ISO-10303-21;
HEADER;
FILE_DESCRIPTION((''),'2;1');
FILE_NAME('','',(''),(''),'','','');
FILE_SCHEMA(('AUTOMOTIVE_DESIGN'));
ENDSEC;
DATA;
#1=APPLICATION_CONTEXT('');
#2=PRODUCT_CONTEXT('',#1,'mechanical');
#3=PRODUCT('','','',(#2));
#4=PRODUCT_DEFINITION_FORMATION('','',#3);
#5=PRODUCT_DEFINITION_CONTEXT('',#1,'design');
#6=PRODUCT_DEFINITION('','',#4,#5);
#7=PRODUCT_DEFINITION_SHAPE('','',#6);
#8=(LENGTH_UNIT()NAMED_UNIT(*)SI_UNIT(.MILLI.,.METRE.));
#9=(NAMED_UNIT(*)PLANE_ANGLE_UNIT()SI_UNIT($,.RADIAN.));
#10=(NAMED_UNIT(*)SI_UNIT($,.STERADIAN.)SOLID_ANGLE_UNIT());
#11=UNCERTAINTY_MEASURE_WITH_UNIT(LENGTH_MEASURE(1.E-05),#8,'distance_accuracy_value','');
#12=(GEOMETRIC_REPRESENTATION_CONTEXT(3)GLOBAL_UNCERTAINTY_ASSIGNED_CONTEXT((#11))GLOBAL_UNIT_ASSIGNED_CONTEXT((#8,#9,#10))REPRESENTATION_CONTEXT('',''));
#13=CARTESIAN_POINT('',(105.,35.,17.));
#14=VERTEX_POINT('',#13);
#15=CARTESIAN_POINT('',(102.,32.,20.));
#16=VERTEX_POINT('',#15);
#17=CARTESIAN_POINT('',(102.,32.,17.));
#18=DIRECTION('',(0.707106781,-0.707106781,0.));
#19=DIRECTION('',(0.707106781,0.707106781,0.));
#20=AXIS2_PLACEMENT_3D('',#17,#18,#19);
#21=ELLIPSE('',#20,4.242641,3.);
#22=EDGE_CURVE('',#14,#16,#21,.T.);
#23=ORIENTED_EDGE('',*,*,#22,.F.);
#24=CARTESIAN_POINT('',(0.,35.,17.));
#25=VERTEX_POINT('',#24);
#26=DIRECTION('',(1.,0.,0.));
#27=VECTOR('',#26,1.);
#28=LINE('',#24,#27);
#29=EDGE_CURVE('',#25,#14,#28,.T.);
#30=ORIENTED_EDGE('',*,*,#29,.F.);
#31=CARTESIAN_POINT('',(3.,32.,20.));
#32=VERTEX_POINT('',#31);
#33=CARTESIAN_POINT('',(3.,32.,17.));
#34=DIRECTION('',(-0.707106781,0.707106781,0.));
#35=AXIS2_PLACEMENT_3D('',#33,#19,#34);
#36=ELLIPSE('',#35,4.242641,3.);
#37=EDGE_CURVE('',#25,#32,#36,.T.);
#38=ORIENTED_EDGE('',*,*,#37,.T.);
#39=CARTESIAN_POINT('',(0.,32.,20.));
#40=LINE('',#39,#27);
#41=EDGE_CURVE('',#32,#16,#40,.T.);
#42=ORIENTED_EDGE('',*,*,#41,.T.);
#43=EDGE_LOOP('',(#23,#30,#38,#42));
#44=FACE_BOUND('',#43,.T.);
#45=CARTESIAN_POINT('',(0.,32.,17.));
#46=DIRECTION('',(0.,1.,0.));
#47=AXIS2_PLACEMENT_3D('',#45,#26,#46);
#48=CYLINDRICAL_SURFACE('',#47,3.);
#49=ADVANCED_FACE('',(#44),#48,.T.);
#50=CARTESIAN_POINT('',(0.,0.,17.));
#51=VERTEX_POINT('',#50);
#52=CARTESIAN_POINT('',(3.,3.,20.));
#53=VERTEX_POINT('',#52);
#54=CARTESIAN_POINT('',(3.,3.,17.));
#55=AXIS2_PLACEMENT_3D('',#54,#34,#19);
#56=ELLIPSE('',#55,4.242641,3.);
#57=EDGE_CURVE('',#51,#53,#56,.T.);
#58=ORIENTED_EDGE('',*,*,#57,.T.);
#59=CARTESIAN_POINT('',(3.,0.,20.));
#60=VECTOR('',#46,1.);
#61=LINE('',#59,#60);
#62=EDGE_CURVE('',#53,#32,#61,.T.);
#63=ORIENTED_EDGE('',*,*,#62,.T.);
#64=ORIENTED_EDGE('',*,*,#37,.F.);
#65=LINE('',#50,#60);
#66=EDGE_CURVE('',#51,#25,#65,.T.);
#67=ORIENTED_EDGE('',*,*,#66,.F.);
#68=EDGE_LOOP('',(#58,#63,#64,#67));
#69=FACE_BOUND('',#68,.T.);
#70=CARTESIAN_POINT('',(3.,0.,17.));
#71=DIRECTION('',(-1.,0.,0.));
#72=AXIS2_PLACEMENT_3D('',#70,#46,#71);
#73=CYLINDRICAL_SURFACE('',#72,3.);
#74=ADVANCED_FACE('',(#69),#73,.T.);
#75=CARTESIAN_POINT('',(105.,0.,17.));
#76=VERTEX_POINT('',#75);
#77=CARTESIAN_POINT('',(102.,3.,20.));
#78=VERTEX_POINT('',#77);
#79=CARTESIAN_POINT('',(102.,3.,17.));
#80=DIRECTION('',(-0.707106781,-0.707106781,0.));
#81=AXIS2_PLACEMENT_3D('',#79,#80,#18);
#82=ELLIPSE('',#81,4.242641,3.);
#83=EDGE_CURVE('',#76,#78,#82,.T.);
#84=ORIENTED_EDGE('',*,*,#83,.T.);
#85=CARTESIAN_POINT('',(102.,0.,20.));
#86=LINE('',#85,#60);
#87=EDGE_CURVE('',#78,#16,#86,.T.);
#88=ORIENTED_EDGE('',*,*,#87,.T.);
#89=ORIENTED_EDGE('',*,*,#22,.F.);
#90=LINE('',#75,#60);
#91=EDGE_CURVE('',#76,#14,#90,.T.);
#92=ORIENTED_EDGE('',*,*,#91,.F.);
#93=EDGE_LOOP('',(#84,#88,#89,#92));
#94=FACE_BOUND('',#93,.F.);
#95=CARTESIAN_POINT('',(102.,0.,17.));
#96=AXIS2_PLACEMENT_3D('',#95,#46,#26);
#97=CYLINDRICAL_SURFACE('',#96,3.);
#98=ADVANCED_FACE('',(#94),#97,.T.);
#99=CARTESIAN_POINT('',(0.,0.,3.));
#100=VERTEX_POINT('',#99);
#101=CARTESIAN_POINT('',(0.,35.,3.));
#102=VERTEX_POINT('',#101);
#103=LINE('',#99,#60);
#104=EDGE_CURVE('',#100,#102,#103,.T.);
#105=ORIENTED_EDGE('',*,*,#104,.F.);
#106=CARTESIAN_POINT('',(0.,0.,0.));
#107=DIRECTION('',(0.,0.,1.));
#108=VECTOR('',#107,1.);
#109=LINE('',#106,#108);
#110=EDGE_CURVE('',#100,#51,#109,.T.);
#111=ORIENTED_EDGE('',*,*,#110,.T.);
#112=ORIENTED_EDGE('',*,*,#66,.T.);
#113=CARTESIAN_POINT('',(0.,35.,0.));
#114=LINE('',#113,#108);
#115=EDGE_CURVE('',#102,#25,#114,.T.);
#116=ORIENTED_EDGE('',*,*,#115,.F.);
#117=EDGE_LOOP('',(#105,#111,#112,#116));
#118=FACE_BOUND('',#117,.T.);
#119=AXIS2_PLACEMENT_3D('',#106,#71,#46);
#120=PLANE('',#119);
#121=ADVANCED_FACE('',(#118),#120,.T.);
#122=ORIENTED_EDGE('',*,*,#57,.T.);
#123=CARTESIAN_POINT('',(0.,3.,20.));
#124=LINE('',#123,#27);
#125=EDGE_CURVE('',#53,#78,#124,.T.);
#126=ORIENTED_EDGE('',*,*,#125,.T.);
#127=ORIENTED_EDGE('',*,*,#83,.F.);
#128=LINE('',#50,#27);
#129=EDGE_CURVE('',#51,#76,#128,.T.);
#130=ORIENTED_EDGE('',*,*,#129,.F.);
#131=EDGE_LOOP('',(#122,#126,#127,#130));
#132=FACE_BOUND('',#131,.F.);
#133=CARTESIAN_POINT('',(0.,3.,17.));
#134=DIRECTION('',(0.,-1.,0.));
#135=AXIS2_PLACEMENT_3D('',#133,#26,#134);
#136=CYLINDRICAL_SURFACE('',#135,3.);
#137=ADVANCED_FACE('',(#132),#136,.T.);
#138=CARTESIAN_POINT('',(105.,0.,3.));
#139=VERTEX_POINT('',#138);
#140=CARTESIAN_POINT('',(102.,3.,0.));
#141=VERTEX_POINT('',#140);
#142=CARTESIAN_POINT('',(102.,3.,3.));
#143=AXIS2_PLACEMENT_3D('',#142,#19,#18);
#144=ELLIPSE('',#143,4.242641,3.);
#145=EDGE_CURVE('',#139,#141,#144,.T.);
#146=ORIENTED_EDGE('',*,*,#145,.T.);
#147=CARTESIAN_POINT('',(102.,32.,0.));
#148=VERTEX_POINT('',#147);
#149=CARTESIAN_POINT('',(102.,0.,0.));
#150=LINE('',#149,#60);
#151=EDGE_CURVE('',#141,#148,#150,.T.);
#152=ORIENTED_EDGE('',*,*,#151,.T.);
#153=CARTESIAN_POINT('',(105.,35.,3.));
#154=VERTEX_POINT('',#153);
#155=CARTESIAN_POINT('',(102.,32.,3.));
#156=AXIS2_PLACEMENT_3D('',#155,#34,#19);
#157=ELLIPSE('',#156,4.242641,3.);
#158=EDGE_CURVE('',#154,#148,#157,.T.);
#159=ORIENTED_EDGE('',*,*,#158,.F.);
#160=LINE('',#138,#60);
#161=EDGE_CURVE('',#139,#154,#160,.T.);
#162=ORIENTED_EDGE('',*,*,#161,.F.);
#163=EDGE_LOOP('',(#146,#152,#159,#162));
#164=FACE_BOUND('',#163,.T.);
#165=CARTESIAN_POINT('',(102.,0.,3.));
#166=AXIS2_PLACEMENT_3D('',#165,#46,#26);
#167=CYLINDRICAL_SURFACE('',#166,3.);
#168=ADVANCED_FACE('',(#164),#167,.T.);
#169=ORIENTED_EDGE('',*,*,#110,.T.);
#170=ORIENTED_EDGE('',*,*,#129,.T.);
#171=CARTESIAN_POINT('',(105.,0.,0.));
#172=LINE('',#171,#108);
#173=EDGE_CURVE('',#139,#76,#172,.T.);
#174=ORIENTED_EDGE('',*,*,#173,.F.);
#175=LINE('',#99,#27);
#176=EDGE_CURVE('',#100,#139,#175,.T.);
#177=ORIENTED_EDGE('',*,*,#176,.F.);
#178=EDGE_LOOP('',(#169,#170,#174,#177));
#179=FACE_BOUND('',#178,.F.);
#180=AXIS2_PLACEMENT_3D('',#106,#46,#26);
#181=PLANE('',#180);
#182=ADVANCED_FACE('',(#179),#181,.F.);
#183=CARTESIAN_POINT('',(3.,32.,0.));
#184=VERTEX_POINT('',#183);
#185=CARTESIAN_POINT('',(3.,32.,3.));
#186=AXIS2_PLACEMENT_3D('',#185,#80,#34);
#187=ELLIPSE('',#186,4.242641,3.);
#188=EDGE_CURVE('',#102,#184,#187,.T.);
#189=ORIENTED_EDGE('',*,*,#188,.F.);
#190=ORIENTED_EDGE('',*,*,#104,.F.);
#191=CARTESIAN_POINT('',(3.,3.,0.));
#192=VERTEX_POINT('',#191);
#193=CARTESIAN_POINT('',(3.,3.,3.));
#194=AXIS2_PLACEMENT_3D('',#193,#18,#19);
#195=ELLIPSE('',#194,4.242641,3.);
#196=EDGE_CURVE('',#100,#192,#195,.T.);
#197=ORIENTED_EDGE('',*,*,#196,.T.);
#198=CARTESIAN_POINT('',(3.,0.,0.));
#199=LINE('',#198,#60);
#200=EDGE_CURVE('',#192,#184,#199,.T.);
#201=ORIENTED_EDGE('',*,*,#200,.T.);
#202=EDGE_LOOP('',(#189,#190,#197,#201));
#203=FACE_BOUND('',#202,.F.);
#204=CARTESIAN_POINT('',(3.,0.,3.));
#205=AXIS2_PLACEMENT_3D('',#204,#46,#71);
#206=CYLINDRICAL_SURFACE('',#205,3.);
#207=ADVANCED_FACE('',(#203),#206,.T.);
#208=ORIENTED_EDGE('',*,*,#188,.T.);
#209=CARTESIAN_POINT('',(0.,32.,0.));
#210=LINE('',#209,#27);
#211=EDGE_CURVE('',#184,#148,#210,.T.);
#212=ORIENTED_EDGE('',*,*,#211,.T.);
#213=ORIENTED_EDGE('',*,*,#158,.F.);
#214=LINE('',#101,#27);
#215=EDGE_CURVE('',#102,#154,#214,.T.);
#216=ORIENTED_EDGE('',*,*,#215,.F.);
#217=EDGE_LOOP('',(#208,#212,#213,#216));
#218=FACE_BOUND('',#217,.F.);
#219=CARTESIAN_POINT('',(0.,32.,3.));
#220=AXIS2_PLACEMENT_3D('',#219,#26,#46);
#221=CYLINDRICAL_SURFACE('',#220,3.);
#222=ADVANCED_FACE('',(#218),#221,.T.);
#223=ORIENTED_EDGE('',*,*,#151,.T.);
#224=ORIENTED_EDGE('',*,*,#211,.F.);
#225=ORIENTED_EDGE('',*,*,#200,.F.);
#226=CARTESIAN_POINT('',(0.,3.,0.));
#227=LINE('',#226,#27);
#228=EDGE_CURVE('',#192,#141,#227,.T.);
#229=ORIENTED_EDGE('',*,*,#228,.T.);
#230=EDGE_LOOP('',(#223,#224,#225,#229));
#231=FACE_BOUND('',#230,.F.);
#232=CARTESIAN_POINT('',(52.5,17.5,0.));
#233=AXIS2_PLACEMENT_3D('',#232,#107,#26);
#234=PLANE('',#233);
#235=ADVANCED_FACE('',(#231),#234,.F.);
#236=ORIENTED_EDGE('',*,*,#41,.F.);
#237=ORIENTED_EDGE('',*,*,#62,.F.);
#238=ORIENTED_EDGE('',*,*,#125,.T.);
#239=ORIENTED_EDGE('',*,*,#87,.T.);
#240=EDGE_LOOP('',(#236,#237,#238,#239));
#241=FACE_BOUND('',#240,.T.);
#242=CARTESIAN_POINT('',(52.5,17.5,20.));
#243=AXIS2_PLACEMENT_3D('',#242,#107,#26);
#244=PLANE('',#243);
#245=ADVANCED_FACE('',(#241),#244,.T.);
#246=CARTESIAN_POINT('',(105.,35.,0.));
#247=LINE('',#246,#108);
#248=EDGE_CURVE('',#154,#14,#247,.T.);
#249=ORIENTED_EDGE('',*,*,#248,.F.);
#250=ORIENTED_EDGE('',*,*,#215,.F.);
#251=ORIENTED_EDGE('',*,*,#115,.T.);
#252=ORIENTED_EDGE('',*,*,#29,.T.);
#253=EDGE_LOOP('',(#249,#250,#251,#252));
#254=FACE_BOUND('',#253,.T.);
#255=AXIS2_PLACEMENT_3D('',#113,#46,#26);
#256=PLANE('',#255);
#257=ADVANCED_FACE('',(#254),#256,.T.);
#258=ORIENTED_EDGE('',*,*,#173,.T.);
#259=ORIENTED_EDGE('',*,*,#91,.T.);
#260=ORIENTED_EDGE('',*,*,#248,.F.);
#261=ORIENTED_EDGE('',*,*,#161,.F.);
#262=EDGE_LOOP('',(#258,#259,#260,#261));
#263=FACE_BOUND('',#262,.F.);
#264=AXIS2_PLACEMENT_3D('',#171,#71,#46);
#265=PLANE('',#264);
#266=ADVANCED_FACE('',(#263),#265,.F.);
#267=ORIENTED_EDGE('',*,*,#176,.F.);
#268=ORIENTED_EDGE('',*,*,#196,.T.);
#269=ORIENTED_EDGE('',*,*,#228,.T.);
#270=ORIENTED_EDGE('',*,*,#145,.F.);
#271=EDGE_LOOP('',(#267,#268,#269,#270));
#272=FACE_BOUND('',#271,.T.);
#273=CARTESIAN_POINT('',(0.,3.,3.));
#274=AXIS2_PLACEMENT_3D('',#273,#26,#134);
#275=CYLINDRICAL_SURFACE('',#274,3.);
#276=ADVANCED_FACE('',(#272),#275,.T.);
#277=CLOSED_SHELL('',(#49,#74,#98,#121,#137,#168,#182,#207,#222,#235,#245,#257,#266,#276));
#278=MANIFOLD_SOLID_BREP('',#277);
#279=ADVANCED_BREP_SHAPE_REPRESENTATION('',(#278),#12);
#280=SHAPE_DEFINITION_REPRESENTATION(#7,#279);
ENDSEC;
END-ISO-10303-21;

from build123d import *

# Parameters (mm, degrees)
SKETCH_W  = 105
SKETCH_H  = 35
PAD_DEPTH = 20
FILLET_R  = 3


with BuildPart() as part:
    # Sketch → Pad (new body)
    with BuildSketch(Plane.XY):
        with Locations((52.5, 17.5)):
            Rectangle(SKETCH_W, SKETCH_H)
    extrude(amount=PAD_DEPTH)

    # Fillet
    fillet_edges = [part.edges().sort_by_distance(p)[0] for p in [
        (0, 17.5, 20),
        (52.5, 35, 20),
        (52.5, 0, 20),
        (105, 17.5, 20),
        (0, 17.5, 0),
        (52.5, 0, 0),
        (52.5, 35, 0),
        (105, 17.5, 0),
    ]]
    fillet(fillet_edges, radius=FILLET_R)


solid = part.part
